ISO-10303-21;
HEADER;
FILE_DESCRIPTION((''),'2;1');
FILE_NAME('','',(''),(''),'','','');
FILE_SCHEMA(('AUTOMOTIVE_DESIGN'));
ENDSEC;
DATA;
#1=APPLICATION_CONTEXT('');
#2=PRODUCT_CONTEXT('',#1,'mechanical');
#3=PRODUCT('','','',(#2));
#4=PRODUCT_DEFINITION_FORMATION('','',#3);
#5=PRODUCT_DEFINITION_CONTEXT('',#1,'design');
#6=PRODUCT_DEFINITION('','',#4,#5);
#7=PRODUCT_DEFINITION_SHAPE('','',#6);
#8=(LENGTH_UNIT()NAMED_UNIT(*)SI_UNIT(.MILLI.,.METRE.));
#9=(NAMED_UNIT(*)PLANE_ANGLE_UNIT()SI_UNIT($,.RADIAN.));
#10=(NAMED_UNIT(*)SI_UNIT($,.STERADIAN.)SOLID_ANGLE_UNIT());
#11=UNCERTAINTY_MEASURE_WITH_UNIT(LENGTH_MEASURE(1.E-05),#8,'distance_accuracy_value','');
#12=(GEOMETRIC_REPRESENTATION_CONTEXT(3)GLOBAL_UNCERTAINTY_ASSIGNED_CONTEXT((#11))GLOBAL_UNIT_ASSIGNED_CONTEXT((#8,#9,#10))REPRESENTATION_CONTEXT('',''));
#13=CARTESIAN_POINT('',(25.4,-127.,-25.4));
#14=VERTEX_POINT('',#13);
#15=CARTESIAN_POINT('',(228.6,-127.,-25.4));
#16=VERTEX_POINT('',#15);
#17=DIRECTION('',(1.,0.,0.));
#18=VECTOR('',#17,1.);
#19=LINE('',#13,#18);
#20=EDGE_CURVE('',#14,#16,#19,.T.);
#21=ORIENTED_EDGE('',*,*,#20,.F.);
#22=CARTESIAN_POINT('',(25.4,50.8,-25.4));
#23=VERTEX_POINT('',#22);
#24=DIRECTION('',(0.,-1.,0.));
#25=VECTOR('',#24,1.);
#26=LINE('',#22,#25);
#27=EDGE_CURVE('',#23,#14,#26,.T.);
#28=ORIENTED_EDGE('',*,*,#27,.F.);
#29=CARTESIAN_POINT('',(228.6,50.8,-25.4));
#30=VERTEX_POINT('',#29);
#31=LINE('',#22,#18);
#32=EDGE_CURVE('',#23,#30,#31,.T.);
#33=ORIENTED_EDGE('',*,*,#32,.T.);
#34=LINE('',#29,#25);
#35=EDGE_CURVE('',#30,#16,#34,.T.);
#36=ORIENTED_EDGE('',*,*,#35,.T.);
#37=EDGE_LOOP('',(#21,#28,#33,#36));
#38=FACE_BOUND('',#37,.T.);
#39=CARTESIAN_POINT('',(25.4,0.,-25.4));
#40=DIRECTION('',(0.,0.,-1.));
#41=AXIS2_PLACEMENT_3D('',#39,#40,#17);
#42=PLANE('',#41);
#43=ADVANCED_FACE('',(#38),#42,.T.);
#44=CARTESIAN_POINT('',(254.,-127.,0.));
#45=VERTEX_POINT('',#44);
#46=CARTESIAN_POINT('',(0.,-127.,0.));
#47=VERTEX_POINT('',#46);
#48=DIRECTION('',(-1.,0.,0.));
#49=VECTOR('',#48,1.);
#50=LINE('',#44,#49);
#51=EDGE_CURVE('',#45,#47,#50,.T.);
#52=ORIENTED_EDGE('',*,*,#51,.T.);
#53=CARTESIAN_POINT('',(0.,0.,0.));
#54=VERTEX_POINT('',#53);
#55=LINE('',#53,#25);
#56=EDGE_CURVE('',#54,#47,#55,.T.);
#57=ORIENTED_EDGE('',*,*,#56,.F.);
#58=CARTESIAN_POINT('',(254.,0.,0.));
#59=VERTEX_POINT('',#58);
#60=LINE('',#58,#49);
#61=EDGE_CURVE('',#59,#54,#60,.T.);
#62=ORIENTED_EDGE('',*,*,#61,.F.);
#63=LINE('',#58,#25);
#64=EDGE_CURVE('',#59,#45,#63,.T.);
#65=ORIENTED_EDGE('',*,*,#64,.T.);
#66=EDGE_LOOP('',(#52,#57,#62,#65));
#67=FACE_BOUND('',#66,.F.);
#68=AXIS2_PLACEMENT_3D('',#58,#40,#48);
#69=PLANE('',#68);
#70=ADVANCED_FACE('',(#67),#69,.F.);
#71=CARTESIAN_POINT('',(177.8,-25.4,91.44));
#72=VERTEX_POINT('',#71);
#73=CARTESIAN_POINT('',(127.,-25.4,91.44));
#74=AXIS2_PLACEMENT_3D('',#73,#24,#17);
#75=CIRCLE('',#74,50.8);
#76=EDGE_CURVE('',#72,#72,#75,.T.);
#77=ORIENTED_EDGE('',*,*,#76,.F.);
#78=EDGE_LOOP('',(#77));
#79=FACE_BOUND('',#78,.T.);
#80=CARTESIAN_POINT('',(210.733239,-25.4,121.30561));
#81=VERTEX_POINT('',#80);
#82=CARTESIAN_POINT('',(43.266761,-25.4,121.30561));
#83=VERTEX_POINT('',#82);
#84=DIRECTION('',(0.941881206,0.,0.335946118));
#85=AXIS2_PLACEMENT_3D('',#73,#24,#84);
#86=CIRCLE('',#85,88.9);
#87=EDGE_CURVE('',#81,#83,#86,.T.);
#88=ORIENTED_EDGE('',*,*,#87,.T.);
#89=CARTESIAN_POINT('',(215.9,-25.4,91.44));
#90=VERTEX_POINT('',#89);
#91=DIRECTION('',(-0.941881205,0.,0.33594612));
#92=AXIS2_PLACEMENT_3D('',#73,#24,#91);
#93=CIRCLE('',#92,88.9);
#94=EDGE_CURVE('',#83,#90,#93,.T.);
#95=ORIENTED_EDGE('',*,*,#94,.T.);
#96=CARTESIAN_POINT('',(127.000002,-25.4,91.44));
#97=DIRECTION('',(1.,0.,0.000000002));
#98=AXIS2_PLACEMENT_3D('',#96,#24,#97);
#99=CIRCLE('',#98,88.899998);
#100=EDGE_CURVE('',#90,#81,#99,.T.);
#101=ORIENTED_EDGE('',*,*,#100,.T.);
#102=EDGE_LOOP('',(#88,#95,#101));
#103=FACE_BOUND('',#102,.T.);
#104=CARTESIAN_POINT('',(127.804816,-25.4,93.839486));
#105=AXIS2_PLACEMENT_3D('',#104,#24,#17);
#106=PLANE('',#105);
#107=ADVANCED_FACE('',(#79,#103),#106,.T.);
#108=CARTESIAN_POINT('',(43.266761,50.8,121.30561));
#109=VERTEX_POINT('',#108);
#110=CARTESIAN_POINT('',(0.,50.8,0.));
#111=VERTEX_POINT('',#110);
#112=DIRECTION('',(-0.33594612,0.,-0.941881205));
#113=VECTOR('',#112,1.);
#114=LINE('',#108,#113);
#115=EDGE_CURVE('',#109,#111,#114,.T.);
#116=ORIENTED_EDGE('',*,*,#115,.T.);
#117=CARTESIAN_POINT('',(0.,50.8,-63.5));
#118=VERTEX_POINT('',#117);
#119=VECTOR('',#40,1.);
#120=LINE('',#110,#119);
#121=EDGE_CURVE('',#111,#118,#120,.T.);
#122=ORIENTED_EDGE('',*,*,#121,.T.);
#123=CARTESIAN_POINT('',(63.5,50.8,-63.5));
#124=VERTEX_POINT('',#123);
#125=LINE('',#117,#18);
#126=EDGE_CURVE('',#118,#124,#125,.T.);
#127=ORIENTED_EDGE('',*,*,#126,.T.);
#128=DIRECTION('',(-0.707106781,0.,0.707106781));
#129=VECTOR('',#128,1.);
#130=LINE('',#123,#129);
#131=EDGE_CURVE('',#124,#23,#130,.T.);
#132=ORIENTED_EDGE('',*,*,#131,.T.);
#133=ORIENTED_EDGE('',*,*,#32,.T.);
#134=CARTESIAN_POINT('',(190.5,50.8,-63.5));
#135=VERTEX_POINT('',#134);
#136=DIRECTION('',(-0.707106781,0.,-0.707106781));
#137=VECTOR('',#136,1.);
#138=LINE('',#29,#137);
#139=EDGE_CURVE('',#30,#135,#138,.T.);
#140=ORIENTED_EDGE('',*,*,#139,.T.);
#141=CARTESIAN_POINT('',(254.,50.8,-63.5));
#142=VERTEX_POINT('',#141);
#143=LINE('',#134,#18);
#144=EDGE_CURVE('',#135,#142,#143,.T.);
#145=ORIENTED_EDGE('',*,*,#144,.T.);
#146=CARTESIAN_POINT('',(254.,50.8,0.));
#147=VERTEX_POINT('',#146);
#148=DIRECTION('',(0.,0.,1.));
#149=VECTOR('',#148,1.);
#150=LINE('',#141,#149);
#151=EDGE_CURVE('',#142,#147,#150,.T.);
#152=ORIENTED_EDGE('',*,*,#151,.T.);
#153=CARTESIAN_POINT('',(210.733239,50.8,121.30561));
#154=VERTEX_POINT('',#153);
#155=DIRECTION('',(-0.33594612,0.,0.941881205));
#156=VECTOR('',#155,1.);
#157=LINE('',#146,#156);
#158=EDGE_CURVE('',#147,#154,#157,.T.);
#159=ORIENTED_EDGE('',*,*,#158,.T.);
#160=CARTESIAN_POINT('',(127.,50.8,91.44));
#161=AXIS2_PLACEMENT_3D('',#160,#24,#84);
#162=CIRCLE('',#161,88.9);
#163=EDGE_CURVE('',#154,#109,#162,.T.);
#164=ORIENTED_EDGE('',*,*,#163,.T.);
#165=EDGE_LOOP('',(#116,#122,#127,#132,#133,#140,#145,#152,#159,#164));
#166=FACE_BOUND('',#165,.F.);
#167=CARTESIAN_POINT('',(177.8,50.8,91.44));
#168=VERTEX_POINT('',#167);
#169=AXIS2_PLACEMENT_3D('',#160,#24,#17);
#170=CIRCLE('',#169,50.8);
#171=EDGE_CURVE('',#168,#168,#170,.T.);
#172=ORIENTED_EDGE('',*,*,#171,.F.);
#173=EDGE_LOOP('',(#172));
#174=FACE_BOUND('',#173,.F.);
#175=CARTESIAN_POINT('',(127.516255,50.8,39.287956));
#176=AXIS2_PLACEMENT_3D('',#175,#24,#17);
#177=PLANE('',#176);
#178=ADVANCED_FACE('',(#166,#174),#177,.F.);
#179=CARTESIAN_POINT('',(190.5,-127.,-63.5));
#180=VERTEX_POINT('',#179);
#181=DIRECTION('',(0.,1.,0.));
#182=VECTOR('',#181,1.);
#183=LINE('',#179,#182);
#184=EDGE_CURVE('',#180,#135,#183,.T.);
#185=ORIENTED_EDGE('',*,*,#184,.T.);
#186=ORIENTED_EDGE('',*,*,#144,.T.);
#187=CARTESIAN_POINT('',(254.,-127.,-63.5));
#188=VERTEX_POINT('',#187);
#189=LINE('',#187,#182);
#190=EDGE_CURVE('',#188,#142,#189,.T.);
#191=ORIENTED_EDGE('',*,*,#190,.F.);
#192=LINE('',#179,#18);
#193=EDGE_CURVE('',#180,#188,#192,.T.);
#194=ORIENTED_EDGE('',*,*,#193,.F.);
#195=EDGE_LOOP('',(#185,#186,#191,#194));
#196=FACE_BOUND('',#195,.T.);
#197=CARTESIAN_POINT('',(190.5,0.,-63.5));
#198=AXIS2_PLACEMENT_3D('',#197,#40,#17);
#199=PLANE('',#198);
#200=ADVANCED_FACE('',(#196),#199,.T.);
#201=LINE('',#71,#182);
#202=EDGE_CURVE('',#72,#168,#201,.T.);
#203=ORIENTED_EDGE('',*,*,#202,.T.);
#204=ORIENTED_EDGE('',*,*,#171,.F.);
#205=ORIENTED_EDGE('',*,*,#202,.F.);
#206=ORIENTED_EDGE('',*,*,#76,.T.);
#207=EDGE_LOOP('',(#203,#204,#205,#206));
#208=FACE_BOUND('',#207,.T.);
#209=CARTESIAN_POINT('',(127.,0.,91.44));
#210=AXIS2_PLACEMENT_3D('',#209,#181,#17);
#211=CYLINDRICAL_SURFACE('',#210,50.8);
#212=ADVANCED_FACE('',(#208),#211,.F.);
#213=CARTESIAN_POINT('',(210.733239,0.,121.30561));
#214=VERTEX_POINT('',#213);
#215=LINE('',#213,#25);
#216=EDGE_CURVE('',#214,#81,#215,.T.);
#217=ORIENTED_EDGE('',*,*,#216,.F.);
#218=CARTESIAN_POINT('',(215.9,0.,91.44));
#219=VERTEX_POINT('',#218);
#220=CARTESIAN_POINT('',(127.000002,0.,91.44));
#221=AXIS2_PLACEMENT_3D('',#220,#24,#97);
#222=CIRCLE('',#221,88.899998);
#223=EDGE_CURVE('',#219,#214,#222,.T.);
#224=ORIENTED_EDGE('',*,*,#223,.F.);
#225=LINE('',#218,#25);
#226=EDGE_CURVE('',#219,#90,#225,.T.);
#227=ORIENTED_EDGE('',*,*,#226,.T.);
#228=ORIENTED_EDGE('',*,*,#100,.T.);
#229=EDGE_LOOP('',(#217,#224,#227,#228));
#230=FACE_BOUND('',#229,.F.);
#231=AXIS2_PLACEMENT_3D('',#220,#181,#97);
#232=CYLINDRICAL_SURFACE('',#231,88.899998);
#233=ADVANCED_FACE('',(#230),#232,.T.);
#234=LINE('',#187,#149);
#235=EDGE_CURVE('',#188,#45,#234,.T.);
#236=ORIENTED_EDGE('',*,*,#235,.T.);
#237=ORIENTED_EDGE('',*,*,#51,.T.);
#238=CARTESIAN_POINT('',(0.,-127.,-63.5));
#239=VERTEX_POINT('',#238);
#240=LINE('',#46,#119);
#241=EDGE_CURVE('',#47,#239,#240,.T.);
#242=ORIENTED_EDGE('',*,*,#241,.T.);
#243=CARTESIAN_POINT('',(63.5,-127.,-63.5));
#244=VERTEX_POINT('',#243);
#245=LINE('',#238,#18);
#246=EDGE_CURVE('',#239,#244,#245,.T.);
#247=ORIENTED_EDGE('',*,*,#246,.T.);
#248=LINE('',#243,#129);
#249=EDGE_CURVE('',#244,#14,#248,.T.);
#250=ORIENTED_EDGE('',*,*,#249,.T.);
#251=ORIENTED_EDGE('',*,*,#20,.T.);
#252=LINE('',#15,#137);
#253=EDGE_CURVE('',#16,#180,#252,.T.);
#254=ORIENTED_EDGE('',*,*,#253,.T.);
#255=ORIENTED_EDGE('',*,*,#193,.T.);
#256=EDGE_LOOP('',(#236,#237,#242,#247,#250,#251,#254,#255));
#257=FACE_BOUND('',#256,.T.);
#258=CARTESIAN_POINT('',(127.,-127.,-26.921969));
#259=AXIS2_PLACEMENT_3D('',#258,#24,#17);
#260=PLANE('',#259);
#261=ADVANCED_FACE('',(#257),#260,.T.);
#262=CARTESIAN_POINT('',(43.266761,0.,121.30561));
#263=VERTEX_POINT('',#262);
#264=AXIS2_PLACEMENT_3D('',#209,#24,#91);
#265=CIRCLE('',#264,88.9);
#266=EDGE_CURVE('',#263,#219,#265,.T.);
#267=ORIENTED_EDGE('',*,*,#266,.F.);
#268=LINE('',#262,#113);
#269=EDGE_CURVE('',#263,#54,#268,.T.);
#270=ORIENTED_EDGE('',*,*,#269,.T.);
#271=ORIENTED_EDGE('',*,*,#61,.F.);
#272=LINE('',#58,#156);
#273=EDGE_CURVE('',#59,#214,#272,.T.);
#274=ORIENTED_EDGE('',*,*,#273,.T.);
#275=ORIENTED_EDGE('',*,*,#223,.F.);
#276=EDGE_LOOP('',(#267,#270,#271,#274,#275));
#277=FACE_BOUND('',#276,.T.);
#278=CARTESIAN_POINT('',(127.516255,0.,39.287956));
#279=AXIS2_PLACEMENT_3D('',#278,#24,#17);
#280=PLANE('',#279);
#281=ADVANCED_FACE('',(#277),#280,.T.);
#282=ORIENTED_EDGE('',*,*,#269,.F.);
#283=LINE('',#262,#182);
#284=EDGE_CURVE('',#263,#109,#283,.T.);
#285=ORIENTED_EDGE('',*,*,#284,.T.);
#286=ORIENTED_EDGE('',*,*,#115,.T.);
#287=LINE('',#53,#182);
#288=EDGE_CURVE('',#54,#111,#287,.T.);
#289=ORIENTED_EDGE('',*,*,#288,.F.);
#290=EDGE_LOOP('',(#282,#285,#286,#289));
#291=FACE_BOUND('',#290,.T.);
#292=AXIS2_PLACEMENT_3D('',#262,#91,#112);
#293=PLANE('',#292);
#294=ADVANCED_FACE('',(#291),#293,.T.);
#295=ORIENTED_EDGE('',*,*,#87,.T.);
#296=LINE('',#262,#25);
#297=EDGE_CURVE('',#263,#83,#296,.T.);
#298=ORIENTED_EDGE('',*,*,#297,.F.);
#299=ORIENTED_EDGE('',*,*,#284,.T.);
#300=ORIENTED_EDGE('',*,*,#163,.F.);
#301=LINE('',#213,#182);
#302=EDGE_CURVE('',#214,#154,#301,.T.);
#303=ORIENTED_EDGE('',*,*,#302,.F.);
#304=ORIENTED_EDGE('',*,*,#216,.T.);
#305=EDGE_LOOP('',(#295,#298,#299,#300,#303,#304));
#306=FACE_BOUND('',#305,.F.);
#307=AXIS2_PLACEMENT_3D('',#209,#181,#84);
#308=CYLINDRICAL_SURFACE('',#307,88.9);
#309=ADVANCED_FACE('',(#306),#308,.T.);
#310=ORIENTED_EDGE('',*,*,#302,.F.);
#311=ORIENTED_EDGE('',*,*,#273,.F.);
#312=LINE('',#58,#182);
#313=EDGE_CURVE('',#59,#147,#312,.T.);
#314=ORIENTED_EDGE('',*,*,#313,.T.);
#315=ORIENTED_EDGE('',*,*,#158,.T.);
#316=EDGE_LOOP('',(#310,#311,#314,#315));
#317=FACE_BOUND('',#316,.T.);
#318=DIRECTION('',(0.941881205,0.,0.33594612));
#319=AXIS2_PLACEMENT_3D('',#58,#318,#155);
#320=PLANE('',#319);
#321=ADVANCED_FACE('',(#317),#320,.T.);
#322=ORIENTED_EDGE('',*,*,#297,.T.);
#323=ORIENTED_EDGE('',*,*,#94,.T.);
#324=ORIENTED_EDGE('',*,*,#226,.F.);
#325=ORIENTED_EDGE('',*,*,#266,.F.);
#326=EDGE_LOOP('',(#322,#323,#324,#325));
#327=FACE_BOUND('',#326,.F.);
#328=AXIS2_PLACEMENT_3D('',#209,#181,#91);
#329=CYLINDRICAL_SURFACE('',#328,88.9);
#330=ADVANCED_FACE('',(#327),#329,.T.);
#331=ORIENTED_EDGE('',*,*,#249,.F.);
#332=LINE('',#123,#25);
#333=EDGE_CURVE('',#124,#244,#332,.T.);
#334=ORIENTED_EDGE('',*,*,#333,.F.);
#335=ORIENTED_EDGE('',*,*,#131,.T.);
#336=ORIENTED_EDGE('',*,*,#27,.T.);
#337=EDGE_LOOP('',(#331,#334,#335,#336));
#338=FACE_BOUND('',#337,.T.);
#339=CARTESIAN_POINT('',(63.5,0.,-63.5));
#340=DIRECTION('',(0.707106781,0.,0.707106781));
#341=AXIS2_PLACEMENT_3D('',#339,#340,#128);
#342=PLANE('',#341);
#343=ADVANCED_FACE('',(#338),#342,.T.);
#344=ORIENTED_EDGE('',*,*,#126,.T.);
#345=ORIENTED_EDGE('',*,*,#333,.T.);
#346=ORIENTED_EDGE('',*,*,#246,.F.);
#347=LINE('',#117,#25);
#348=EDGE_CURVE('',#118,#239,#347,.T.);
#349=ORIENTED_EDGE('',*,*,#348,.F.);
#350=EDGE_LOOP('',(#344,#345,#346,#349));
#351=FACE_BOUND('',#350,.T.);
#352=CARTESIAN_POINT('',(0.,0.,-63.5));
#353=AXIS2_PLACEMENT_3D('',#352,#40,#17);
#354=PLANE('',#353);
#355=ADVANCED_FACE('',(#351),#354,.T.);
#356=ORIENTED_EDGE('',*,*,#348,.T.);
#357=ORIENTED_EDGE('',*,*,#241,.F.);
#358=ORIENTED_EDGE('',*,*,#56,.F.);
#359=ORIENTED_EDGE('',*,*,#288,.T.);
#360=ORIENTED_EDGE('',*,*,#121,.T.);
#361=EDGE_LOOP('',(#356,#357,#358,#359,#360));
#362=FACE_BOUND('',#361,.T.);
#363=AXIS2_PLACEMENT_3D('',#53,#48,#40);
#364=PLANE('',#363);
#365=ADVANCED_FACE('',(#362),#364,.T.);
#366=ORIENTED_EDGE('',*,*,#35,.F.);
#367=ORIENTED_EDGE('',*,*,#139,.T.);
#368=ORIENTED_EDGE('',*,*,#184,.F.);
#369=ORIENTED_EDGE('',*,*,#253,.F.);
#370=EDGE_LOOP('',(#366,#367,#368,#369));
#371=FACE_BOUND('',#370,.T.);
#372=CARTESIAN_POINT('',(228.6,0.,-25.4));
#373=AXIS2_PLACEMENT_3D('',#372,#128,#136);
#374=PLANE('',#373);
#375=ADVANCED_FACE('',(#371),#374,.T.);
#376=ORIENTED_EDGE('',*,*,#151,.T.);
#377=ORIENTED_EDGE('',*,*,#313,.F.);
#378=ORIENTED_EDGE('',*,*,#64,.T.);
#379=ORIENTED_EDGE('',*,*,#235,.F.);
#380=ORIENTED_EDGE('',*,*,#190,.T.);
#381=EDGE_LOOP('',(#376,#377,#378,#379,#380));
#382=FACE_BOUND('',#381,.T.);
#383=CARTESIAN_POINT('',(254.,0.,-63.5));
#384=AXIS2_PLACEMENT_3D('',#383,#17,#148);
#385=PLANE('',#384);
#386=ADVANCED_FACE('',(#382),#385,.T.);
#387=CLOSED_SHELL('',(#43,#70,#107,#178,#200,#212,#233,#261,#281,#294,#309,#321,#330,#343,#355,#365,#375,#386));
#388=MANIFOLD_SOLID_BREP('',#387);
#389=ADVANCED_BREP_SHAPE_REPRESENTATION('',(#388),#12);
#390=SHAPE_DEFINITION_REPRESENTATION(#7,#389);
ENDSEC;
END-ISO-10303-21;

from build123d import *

# Parameters (mm, degrees)
F1_DEPTH = 127
F0_R     = 50.8
F2_DEPTH = 50.8
F3_DEPTH = 25.4


with BuildPart() as f1:
    # F0 (on Front) → F1 (new body)
    with BuildSketch(Plane.XZ):
        Polygon((254, 0), (0, 0), (0, -63.5), (63.5, -63.5), (25.4, -25.4), (228.6, -25.4), (190.5, -63.5), (254, -63.5), align=None)
    extrude(amount=F1_DEPTH)

    # F0 (on Front) → F2 (join)
    with BuildSketch(Plane.XZ):
        with BuildLine():
            Line((43.266761, 121.30561), (0, 0))
            Line((0, 0), (254, 0))
            Line((254, 0), (210.733239, 121.30561))
            ThreePointArc((210.733239, 121.30561), (214.598787, 106.59462), (215.9, 91.44))
            ThreePointArc((215.9, 91.44), (111.84538, 3.841213), (43.266761, 121.30561))
        make_face()
        Polygon((254, 0), (0, 0), (0, -63.5), (63.5, -63.5), (25.4, -25.4), (228.6, -25.4), (190.5, -63.5), (254, -63.5), align=None)
        with BuildLine():
            ThreePointArc((210.733239, 121.30561), (127, 180.34), (43.266761, 121.30561))
            ThreePointArc((43.266761, 121.30561), (111.84538, 3.841213), (215.9, 91.44))
            ThreePointArc((215.9, 91.44), (214.598787, 106.59462), (210.733239, 121.30561))
        make_face()
        with Locations((127, 91.44)):
            Circle(F0_R, mode=Mode.SUBTRACT)
    extrude(amount=-F2_DEPTH)

    # F0 (on Front) → F3 (join)
    with BuildSketch(Plane.XZ):
        with BuildLine():
            ThreePointArc((210.733239, 121.30561), (127, 180.34), (43.266761, 121.30561))
            ThreePointArc((43.266761, 121.30561), (111.84538, 3.841213), (215.9, 91.44))
            ThreePointArc((215.9, 91.44), (214.598787, 106.59462), (210.733239, 121.30561))
        make_face()
        with Locations((127, 91.44)):
            Circle(F0_R, mode=Mode.SUBTRACT)
    extrude(amount=F3_DEPTH)


solid = f1.part
